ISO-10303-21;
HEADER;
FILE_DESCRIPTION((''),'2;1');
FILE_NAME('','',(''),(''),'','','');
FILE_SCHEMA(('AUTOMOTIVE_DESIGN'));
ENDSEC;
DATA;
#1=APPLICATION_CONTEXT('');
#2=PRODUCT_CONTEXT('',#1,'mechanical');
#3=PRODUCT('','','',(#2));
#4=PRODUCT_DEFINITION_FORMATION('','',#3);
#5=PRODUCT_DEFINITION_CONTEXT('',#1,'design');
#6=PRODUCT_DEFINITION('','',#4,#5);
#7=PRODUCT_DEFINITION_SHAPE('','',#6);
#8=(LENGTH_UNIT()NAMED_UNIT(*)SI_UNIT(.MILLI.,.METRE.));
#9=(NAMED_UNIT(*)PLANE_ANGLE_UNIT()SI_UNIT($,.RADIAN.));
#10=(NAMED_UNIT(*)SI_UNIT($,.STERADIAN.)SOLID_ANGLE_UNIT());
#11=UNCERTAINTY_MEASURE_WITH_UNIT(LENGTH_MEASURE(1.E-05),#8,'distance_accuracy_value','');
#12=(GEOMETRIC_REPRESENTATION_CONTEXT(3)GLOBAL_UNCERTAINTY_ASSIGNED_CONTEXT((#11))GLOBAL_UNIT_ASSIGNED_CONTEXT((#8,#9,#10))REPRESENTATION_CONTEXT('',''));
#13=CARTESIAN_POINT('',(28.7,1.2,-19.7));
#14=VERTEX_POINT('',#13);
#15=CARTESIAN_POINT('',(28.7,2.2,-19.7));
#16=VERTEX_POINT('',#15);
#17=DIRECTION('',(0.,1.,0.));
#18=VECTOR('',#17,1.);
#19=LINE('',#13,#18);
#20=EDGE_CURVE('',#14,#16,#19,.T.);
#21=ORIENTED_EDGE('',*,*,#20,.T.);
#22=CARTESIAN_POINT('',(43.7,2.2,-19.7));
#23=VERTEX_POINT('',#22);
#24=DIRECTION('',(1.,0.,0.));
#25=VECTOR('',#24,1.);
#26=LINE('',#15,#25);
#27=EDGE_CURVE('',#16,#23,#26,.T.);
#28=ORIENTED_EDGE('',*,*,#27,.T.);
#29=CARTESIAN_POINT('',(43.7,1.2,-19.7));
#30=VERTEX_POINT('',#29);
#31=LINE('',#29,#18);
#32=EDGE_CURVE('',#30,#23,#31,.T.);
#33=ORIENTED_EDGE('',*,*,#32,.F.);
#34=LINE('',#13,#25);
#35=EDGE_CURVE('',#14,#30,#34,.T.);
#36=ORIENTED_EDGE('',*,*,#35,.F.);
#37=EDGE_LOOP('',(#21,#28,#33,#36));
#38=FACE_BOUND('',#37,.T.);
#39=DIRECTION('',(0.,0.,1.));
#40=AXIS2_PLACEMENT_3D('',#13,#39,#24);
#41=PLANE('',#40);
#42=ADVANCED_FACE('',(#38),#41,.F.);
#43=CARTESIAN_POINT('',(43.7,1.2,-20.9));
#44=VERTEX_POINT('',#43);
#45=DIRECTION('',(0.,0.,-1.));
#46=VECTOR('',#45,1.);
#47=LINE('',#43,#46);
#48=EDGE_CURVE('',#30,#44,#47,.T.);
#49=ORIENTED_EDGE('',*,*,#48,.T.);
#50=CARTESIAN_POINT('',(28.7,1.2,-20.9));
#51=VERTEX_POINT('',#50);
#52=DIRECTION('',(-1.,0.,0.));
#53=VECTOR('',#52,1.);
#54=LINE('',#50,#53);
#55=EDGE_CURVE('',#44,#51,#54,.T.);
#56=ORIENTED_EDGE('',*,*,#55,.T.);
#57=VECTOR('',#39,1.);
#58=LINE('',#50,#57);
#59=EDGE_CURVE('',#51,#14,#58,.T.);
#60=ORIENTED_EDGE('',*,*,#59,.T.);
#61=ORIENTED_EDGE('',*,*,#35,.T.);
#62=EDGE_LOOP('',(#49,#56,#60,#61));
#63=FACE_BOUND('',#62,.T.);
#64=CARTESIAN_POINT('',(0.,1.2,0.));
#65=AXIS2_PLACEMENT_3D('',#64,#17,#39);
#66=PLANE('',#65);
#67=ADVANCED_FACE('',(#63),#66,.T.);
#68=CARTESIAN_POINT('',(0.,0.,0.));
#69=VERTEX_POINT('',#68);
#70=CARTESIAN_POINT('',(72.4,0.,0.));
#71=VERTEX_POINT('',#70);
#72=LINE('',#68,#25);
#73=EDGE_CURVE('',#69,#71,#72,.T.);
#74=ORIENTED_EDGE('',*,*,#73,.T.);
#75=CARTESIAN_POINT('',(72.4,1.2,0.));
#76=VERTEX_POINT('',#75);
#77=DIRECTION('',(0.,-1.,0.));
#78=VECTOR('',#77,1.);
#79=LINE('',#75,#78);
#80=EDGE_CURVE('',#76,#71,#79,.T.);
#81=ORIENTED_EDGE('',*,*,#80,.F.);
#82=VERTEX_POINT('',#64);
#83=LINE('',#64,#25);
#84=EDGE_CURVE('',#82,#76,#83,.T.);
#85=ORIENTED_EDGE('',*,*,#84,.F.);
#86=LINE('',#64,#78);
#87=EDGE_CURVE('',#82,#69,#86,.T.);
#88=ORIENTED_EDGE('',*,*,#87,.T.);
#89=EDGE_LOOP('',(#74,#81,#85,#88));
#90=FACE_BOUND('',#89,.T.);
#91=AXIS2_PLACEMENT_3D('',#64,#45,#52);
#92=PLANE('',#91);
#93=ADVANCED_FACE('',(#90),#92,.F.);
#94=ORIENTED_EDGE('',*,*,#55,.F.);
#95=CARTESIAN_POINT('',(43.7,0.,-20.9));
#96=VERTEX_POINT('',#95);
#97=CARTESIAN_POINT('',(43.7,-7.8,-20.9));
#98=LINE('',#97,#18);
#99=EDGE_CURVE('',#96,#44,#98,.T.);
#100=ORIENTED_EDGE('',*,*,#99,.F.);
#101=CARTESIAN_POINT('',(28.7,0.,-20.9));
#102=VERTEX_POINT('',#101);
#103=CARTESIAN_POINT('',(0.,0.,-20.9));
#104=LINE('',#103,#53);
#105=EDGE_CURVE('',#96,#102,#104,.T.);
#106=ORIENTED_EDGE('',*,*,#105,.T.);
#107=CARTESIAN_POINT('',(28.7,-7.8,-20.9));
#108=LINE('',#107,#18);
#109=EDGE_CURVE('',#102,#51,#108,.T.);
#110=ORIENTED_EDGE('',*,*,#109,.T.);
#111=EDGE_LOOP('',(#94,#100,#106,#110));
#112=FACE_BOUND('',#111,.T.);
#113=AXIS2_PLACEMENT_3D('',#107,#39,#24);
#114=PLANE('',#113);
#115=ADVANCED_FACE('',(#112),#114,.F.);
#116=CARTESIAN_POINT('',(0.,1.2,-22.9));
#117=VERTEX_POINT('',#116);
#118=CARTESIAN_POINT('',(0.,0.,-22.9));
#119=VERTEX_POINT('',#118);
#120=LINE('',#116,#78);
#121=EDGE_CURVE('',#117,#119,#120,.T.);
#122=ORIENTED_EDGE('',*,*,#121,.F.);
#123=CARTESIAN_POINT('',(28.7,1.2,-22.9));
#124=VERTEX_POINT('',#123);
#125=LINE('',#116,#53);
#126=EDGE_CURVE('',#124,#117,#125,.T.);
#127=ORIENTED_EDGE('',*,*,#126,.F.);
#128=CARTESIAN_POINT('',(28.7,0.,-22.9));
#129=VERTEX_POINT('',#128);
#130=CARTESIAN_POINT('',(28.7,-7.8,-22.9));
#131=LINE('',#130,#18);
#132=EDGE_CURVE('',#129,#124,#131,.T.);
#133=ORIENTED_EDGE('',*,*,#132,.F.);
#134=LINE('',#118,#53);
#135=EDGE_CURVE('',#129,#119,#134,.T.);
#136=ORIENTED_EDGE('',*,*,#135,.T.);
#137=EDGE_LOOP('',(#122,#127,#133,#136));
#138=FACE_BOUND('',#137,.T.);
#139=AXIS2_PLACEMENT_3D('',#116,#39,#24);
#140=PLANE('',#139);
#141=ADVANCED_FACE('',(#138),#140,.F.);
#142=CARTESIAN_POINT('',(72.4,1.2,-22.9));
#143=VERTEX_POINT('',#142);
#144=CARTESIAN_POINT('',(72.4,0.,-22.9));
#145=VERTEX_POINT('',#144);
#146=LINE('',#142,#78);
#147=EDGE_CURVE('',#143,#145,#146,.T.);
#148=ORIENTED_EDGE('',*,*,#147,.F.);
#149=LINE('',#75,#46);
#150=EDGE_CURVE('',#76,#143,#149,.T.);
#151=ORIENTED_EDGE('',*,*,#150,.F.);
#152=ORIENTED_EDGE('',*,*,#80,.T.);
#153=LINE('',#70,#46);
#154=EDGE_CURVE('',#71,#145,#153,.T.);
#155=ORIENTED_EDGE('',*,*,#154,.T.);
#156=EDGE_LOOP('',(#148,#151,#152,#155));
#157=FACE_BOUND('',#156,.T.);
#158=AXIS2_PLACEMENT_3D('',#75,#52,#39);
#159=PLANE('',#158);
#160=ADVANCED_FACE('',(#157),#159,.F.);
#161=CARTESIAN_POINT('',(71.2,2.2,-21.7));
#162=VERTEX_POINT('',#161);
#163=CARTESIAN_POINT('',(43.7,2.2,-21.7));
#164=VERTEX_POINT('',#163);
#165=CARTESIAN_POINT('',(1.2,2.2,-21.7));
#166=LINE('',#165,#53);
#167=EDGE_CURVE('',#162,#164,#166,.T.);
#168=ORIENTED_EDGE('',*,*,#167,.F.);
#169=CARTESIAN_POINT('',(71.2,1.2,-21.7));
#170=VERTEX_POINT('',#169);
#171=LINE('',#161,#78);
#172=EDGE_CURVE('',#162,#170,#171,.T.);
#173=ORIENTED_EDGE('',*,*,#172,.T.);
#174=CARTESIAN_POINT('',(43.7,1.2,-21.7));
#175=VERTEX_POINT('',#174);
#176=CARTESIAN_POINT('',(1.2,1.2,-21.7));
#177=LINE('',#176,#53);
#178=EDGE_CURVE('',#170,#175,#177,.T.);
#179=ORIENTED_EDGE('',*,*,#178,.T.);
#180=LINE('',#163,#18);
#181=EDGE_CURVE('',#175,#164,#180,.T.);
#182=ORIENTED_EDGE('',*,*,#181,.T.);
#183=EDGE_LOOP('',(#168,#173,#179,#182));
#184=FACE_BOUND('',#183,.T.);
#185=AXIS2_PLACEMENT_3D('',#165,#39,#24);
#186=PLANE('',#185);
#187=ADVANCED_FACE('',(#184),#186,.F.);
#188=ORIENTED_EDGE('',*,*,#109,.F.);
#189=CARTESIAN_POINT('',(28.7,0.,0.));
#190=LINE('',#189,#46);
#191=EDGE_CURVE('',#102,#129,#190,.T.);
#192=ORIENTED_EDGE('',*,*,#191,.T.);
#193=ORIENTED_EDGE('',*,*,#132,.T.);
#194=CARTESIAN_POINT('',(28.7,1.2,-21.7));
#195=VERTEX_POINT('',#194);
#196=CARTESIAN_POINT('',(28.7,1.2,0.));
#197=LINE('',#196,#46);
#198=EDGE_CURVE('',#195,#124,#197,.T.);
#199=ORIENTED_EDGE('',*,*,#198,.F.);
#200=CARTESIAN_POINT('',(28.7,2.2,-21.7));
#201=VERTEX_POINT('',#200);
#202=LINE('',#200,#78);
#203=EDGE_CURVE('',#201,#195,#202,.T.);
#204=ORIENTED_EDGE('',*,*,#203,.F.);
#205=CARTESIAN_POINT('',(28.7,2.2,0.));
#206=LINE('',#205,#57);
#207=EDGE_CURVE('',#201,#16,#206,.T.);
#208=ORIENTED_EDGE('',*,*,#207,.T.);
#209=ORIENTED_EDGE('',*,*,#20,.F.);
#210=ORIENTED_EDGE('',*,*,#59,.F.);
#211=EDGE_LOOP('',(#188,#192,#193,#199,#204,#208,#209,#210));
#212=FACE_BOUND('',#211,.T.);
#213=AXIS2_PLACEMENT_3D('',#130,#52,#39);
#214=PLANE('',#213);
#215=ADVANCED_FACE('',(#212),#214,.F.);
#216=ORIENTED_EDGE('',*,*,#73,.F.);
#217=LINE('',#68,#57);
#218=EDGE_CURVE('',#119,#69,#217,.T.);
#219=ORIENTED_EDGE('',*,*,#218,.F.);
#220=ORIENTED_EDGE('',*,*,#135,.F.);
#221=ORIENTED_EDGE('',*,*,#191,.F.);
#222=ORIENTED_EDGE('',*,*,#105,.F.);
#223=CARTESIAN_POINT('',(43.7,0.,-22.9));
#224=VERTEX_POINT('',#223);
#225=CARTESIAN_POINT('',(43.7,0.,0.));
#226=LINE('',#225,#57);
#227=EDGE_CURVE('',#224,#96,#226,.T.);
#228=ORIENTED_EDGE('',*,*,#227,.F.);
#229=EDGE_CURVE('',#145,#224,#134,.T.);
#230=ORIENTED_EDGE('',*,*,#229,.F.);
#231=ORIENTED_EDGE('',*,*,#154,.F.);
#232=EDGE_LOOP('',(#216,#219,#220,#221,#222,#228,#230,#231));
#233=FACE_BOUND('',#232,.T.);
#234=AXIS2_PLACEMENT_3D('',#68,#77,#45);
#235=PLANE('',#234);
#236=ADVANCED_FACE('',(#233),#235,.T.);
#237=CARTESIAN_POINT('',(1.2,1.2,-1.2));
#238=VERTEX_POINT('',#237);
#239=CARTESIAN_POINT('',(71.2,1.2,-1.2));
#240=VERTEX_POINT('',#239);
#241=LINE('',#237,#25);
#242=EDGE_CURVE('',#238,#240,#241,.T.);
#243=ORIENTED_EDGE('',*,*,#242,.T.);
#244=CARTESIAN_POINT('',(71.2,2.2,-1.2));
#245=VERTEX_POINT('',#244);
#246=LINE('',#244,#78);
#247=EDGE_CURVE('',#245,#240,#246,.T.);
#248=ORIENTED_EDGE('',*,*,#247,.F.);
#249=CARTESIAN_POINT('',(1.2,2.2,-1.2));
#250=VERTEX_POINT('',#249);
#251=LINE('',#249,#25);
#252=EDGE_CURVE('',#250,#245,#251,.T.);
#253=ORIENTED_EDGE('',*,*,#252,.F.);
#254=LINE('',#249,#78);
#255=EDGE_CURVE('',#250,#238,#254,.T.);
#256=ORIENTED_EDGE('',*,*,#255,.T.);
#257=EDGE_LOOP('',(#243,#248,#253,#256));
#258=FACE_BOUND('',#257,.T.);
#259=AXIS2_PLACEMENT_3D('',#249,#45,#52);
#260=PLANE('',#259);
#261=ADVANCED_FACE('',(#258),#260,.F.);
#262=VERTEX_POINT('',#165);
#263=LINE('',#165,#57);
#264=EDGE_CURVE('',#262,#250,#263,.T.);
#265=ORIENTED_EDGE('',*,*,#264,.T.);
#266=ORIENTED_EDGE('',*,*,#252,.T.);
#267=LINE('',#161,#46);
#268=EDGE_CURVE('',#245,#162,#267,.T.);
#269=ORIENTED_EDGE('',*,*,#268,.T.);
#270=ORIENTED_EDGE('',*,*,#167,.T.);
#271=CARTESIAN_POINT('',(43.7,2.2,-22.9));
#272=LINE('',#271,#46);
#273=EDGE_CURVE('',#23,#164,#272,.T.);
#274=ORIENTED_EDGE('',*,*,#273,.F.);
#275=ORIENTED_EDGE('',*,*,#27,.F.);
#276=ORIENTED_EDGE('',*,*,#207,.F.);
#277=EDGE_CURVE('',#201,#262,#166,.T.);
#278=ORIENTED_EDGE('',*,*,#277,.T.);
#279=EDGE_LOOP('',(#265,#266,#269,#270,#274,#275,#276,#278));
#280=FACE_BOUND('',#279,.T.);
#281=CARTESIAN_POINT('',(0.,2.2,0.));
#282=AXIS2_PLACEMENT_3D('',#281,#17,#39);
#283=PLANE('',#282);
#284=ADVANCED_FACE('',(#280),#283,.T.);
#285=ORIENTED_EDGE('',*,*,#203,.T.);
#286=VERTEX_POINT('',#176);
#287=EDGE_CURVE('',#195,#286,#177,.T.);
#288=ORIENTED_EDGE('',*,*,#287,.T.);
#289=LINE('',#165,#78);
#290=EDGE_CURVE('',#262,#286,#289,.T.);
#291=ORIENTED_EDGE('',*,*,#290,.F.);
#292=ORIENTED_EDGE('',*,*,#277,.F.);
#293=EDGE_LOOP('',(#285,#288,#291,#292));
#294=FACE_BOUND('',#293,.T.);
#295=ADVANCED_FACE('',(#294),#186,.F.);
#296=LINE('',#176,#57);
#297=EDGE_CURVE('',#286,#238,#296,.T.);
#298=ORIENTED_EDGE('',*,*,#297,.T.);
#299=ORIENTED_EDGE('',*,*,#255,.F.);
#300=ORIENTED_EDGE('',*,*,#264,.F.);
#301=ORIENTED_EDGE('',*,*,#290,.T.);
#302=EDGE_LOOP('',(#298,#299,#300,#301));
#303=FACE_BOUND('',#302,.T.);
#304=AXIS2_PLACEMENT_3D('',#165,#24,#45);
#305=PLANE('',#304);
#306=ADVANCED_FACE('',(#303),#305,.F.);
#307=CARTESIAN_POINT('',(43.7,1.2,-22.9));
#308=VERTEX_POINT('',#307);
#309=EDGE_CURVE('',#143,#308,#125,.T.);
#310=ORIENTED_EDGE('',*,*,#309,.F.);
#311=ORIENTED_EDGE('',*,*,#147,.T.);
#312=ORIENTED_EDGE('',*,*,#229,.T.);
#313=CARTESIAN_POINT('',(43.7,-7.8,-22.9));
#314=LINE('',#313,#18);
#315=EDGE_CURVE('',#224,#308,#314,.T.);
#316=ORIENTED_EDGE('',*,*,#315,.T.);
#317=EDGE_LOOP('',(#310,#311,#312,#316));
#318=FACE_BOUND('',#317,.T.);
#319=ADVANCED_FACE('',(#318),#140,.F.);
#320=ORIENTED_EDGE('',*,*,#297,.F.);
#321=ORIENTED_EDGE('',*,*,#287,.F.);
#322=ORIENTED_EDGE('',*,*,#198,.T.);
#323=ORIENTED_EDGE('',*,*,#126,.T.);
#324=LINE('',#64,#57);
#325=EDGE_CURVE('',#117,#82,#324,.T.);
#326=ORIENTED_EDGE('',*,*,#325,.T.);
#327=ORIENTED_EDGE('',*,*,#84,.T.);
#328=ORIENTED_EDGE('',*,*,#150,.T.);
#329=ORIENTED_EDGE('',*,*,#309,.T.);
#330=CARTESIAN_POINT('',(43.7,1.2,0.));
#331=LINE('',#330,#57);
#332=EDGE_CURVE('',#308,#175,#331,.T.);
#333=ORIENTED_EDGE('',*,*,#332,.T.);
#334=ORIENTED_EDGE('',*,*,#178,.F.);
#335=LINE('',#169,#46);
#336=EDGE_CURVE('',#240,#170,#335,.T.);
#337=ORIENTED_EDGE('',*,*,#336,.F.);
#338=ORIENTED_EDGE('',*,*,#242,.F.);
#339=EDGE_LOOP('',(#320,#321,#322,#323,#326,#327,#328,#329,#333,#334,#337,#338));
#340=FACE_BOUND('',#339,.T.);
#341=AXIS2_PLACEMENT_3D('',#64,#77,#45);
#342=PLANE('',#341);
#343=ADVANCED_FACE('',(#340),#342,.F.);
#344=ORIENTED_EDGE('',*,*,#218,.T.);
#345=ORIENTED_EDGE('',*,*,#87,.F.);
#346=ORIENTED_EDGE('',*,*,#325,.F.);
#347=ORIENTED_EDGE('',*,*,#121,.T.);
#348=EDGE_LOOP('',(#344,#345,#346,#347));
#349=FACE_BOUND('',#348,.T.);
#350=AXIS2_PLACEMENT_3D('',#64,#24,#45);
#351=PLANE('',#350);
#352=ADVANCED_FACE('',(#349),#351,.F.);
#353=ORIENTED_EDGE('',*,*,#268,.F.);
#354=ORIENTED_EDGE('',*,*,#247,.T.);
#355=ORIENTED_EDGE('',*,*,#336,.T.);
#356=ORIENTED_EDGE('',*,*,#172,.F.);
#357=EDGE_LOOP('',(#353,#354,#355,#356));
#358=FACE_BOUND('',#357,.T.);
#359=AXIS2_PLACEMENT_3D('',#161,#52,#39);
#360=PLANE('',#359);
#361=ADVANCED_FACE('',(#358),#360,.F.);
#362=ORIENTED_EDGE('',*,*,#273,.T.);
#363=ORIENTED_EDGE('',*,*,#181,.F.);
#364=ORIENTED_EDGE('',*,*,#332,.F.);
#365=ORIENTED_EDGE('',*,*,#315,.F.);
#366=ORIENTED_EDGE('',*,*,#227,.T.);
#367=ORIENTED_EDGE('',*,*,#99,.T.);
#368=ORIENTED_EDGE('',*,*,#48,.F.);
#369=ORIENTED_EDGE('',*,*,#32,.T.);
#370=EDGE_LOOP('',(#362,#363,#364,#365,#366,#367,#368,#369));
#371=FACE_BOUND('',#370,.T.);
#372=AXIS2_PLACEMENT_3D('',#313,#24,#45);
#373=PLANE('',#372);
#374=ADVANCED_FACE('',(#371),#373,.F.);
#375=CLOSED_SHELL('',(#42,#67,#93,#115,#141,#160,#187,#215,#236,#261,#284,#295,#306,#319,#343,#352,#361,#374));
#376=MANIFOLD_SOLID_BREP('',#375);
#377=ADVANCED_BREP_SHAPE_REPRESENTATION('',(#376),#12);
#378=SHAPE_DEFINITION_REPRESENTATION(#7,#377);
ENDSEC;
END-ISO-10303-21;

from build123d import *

# Parameters (mm, degrees)
SKICA1_W                 = 72.4
SKICA1_H                 = 22.9
P_IDAT_VYSUNUT_M2_DEPTH  = 1.2
SKICA2_W                 = 70
SKICA2_H                 = 20.5
P_IDAT_VYSUNUT_M3_DEPTH  = 1
SKICA3_W                 = 15
SKICA3_H                 = 2
ODEBRAT_VYSUNUT_M1_DEPTH = 10
SKICA4_W                 = 15
SKICA4_H                 = 1.2
ODEBRAT_VYSUNUT_M2_DEPTH = 1


with BuildPart() as part:
    # Skica1 → Přidat vysunutím2 (new body)
    with BuildSketch(Plane(origin=(0, 0, 0), x_dir=(1, 0, 0), z_dir=(0, 1, 0))):
        with Locations((36.2, 11.45)):
            Rectangle(SKICA1_W, SKICA1_H)
    extrude(amount=P_IDAT_VYSUNUT_M2_DEPTH)

    # Skica2 → Přidat vysunutím3 (add)
    with BuildSketch(Plane(origin=(0, 1.2, 0), x_dir=(1, 0, 0), z_dir=(0, 1, 0))):
        with Locations((36.2, 11.45)):
            Rectangle(SKICA2_W, SKICA2_H)
    extrude(amount=P_IDAT_VYSUNUT_M3_DEPTH)

    # Skica3 → Odebrat vysunutím1 (cut)
    with BuildSketch(Plane(origin=(0, 2.2, 0), x_dir=(1, 0, 0), z_dir=(0, 1, 0))):
        with Locations((36.2, 21.9)):
            Rectangle(SKICA3_W, SKICA3_H)
    extrude(amount=-ODEBRAT_VYSUNUT_M1_DEPTH, mode=Mode.SUBTRACT)

    # Skica4 → Odebrat vysunutím2 (cut)
    with BuildSketch(Plane(origin=(0, 2.2, 0), x_dir=(1, 0, 0), z_dir=(0, 1, 0))):
        with Locations((36.2, 20.3)):
            Rectangle(SKICA4_W, SKICA4_H)
    extrude(amount=-ODEBRAT_VYSUNUT_M2_DEPTH, mode=Mode.SUBTRACT)


solid = part.part
